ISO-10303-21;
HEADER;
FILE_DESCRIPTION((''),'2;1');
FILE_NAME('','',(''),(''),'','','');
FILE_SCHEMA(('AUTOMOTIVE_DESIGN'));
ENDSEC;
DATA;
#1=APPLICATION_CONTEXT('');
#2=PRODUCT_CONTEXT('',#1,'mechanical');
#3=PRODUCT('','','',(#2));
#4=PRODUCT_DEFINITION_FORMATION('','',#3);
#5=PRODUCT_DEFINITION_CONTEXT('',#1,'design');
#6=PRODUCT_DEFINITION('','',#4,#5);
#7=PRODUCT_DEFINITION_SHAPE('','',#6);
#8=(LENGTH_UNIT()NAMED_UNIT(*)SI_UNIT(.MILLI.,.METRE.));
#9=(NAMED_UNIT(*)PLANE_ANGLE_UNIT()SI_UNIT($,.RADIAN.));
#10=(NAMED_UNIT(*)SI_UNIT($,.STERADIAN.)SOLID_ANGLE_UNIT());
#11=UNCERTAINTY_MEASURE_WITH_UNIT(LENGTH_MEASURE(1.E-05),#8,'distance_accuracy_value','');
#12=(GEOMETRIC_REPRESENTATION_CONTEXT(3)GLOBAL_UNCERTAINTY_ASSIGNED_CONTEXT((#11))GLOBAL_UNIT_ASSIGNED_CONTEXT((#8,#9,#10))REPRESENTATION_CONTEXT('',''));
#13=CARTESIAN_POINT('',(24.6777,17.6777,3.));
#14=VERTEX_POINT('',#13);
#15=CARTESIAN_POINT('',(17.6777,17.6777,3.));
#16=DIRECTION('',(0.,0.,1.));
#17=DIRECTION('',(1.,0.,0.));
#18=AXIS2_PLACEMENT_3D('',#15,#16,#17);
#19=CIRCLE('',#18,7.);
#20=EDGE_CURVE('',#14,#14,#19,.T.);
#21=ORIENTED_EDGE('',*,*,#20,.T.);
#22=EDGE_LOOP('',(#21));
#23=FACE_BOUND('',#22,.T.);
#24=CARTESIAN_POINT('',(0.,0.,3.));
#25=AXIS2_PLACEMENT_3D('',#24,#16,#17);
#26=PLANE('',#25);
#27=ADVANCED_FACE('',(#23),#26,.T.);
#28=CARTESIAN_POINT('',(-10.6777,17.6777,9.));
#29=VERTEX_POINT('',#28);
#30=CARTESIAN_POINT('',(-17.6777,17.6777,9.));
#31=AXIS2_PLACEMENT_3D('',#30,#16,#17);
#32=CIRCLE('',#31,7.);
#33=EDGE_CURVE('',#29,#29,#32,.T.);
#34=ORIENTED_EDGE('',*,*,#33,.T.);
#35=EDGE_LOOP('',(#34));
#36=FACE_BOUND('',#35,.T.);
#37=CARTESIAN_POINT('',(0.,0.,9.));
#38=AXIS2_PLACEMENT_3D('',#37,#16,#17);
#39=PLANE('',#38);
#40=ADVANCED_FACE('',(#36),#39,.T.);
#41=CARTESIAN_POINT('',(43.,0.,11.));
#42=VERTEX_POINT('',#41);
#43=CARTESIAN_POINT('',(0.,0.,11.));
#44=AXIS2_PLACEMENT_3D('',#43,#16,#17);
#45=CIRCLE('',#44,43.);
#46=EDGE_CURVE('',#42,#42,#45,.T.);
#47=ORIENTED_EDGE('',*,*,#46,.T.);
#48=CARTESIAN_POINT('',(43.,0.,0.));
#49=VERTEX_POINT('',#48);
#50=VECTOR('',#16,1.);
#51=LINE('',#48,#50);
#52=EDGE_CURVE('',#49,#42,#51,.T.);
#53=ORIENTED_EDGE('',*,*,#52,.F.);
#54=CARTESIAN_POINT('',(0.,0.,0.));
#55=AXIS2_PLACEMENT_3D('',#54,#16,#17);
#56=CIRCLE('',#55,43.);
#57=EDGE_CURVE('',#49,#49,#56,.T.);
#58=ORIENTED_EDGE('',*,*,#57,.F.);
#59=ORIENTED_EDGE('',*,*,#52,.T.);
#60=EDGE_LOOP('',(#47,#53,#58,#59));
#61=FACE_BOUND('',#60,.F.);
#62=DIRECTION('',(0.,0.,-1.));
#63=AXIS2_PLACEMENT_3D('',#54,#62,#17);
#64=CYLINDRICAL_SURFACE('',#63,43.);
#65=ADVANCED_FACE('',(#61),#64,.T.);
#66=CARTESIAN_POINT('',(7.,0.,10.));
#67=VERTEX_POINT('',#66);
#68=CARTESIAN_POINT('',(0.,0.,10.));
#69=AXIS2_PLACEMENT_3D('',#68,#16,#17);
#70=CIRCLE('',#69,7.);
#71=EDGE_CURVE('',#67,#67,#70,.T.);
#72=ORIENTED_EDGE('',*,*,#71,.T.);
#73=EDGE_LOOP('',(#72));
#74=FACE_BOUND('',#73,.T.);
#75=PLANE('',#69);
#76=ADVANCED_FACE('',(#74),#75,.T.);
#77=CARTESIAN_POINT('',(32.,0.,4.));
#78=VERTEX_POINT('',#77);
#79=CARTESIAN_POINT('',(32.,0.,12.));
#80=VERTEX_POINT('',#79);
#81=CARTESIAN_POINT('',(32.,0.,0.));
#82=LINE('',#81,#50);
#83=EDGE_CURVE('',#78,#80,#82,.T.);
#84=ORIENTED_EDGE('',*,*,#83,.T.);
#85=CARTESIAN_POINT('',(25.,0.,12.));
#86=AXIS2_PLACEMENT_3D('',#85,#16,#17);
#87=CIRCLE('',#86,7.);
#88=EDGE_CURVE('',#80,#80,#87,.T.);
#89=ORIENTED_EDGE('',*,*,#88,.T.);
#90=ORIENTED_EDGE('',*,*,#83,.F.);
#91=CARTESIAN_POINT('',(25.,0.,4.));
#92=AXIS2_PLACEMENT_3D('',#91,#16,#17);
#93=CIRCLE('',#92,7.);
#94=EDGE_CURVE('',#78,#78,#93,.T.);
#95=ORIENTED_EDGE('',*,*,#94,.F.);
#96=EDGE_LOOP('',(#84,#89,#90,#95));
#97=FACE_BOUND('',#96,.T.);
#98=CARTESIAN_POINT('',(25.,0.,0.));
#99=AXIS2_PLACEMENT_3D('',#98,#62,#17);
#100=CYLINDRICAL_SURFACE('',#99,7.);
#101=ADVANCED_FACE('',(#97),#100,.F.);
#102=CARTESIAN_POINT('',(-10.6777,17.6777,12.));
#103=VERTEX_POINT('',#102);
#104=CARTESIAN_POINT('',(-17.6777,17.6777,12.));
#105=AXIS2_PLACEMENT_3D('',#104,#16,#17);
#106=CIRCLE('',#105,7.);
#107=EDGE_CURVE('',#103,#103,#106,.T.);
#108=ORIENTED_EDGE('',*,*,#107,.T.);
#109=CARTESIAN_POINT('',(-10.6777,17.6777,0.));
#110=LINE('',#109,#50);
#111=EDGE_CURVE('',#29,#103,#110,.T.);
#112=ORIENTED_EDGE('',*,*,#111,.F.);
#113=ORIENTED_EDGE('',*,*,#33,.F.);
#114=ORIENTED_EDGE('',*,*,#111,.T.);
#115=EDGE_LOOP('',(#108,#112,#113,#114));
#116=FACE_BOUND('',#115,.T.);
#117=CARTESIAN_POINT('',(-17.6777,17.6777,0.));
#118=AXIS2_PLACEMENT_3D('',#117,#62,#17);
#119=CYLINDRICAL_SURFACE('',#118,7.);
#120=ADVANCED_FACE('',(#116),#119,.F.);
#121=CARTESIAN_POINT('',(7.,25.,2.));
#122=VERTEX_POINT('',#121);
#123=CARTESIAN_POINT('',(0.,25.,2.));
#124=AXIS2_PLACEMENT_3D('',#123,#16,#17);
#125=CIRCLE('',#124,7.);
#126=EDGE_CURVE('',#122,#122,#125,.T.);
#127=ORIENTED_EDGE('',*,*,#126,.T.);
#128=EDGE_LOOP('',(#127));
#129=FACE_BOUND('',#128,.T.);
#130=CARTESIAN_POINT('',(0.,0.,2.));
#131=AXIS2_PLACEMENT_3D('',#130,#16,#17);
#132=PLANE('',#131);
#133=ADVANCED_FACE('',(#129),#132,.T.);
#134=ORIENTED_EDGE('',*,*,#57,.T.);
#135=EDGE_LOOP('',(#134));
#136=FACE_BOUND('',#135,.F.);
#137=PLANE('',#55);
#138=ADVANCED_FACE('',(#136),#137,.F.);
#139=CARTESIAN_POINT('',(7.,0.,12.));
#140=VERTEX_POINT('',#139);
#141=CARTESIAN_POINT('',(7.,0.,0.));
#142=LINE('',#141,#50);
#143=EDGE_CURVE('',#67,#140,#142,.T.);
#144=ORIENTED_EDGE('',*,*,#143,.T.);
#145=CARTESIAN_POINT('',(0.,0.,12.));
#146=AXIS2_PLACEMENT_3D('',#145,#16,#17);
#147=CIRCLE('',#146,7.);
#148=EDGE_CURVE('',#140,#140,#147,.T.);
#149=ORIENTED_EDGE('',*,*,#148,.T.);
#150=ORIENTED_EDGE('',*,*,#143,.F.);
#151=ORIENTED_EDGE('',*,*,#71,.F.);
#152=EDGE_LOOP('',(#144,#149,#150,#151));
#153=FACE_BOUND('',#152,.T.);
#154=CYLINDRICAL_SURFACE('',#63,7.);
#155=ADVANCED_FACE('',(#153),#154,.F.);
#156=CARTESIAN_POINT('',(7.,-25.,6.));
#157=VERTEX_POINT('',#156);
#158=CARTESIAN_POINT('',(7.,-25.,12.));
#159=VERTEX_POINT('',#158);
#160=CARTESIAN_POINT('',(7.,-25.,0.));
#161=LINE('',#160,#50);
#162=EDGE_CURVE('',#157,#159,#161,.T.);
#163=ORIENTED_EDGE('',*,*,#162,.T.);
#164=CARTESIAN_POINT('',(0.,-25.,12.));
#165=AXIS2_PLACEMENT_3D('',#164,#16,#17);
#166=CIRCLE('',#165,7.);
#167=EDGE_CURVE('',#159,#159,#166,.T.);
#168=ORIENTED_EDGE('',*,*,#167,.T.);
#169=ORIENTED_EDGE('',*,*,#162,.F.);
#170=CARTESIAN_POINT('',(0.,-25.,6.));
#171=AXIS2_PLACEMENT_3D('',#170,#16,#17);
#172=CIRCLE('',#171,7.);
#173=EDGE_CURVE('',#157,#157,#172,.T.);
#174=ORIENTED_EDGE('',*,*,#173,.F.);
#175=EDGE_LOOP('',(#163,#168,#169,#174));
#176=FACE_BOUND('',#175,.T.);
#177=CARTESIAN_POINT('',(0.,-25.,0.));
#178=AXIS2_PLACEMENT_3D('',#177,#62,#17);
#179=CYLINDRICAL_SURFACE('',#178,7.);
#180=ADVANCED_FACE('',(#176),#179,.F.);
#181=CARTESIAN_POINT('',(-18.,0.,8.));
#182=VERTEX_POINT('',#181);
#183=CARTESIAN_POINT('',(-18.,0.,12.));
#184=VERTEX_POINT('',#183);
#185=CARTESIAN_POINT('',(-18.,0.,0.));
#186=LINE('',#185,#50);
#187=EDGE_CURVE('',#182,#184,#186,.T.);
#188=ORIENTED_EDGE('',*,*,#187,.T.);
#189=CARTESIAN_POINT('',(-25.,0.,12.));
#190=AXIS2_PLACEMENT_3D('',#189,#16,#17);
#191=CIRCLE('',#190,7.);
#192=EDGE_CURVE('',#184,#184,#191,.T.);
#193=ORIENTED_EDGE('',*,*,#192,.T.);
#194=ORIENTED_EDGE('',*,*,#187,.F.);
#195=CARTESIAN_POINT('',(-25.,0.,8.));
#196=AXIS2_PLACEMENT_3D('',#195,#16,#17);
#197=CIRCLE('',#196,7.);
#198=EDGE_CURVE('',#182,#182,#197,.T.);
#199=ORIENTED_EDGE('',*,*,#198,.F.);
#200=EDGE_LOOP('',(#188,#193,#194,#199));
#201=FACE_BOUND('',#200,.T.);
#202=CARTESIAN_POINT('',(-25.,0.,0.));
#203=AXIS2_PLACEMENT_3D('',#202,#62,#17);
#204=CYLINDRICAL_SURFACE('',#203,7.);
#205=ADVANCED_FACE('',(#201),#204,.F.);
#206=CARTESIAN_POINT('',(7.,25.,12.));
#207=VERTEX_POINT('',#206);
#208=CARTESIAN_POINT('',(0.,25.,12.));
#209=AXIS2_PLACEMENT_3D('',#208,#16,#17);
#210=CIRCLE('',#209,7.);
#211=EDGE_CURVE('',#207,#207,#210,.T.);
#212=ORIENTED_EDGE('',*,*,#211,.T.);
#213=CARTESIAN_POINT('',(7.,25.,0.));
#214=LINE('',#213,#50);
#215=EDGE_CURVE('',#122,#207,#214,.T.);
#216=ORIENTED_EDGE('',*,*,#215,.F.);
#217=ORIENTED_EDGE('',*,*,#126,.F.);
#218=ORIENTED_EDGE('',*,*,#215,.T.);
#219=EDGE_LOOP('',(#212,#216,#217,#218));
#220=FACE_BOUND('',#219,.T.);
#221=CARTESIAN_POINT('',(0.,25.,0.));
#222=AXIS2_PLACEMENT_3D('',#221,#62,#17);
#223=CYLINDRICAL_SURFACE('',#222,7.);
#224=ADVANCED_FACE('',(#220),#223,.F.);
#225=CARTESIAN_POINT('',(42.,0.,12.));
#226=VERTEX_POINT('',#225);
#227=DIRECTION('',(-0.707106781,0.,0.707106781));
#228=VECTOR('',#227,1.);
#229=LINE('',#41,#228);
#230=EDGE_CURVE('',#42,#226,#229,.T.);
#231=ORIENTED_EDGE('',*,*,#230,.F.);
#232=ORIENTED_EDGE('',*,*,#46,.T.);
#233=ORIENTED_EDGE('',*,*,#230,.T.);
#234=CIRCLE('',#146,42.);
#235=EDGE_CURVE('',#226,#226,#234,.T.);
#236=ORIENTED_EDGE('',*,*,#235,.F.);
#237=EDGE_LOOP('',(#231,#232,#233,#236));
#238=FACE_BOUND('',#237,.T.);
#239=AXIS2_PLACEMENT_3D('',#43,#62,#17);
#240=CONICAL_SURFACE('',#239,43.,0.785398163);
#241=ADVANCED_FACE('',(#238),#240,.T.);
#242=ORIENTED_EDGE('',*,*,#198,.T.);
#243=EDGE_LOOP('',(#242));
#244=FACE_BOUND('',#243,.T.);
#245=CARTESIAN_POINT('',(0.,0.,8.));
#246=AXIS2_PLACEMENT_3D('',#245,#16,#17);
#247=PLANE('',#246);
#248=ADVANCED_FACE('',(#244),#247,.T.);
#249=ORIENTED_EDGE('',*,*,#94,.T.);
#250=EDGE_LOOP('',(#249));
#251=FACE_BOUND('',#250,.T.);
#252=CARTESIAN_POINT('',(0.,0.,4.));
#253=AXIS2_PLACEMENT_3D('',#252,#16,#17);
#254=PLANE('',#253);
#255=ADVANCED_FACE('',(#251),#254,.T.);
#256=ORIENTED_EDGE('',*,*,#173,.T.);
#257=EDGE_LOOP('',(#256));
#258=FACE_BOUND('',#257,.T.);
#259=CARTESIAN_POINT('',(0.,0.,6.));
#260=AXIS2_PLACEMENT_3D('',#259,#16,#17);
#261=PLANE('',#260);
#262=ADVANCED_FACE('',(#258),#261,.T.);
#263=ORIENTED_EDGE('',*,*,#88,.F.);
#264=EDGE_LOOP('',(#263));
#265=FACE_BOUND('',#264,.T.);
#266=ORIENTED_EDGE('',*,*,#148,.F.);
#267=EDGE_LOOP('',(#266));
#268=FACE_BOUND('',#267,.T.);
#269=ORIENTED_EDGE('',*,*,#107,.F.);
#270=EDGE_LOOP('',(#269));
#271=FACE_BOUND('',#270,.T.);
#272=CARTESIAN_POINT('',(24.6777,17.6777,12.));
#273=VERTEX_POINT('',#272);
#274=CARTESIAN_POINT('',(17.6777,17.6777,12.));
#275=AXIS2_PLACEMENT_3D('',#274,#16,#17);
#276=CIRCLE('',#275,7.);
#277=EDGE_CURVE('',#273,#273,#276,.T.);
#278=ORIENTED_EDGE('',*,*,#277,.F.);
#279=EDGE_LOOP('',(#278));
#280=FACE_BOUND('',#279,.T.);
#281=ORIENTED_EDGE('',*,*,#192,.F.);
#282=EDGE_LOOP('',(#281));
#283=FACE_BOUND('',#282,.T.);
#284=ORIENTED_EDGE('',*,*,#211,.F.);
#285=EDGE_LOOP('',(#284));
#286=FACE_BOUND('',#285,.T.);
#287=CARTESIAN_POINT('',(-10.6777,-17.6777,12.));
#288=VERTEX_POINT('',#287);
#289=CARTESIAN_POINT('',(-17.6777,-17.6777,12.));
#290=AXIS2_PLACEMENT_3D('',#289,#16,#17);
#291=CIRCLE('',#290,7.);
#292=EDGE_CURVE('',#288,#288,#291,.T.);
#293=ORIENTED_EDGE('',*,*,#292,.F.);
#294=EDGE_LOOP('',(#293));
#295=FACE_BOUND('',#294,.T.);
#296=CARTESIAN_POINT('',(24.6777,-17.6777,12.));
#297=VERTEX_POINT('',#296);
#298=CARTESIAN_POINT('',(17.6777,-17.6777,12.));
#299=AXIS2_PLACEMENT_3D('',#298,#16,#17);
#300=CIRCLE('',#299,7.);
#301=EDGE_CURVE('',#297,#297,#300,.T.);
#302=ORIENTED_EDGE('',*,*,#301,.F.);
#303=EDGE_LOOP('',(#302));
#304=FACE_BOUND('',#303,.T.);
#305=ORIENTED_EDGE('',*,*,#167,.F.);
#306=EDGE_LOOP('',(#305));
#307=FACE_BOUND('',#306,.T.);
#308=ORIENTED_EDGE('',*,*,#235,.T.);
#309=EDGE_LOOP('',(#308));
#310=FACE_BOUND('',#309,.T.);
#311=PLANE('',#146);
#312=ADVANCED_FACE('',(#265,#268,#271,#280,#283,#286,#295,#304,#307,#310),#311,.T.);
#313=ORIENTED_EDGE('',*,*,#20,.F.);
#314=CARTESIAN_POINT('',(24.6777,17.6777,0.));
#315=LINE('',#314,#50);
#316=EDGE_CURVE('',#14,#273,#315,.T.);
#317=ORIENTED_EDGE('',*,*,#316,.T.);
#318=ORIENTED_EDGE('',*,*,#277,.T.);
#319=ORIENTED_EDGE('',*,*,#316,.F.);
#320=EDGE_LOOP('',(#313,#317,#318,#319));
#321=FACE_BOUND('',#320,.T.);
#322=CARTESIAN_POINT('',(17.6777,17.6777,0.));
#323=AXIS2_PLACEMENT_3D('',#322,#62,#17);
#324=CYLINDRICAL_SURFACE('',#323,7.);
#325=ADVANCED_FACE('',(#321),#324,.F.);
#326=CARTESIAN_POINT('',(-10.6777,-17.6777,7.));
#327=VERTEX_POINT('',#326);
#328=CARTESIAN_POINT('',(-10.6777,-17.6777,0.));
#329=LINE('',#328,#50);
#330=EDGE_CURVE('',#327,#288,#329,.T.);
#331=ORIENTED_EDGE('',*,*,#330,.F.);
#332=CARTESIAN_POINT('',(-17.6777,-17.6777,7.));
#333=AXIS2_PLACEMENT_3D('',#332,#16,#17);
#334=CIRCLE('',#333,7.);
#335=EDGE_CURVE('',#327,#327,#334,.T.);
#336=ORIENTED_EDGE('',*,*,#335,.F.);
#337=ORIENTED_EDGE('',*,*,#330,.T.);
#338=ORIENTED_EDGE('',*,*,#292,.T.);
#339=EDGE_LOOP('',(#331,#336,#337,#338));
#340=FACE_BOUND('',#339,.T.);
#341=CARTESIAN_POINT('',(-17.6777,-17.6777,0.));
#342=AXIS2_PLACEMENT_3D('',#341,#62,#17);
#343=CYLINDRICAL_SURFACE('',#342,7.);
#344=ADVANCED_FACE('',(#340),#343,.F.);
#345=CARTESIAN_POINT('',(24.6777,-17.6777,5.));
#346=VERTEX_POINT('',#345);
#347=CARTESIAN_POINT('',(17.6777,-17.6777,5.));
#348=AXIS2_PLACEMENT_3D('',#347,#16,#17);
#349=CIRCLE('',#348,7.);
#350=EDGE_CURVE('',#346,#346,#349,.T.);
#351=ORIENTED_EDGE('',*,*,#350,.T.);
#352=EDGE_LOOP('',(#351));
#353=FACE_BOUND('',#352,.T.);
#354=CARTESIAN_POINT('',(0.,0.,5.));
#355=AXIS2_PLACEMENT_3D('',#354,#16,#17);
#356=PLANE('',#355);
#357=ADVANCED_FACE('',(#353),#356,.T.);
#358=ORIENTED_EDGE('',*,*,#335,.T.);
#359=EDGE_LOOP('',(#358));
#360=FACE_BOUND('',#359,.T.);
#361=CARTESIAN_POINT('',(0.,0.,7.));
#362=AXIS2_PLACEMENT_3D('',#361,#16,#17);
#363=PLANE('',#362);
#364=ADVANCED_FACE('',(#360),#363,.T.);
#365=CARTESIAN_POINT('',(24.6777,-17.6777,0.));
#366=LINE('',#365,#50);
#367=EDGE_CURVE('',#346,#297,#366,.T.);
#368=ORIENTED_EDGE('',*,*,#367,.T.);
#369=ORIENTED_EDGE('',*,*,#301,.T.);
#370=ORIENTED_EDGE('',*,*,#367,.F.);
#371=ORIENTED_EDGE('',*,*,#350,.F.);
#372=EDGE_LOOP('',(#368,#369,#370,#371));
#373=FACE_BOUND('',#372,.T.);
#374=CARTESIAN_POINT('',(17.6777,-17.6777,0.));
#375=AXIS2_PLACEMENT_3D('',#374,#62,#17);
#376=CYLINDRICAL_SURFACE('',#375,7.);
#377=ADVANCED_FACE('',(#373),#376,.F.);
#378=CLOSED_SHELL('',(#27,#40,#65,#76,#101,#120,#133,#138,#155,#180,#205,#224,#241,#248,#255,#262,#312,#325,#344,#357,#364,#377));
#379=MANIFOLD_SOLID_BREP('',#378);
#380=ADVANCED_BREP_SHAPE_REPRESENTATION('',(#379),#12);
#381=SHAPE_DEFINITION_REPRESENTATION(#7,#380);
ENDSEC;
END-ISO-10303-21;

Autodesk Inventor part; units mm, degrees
ref_plane "YZ Plane" through (0, 0, 0) normal (1, 0, 0) x (0, 1, 0)
ref_plane "XZ Plane" through (0, 0, 0) normal (0, 1, 0) x (-1, 0, 0)
ref_plane "XY Plane" through (0, 0, 0) normal (0, 0, 1) x (1, 0, 0)
sketch "Sketch1" plane through (0, 0, 0) normal (0, 0, 1) x (1, 0, 0)
  circle A0 centre (0, 0) radius 43
  circle A1 centre (0, 0) radius 7
  circle A2 centre (0, 25) radius 7
  circle A3 centre (-17.6777, 17.6777) radius 7
  circle A4 centre (-25, 0) radius 7
  circle A5 centre (-17.6777, -17.6777) radius 7
  circle A6 centre (0, -25) radius 7
  circle A7 centre (17.6777, -17.6777) radius 7
  circle A8 centre (25, 0) radius 7
  circle A9 centre (17.6777, 17.6777) radius 7
  dimension "diameter" = 14
  dimension "d2" = 14
  dimension "d5" = 360
  dimension "d7" = 25
  dimension "d28" = 86
extrude "Extrusion1" add sketch "Sketch1" along normal blind 12
extrude "Extrusion2" add sketch "Sketch1" along normal blind 2 contours A2
extrude "Extrusion3" add sketch "Sketch1" along normal blind 3 contours A9
extrude "Extrusion4" add sketch "Sketch1" along normal blind 4 contours A8
extrude "Extrusion5" add sketch "Sketch1" along normal blind 5 contours A7
extrude "Extrusion6" add sketch "Sketch1" along normal blind 6 contours A6
extrude "Extrusion7" add sketch "Sketch1" along normal blind 7 contours A5
extrude "Extrusion8" add sketch "Sketch1" along normal blind 8 contours A4
extrude "Extrusion9" add sketch "Sketch1" along normal blind 9 contours A3
extrude "Extrusion10" add sketch "Sketch1" along normal blind 10 contours A1
sketch "Sketch2" plane through (0, 0, 12) normal (0, 0, 1) x (1, 0, 0)
  line L0 (-5.8774, 39.105) -> (5.7366, 39.105) construction
  line L1 (5.7366, 39.105) -> (5.7366, 35.936) construction
  line L2 (5.7366, 35.936) -> (-5.8774, 35.936) construction
  line L3 (-5.8774, 35.936) -> (-5.8774, 39.105) construction
  point P0 (0, 0)
emboss "Emboss1" [suppressed]
chamfer "Chamfer1" distance 1 angle 45 1 edges at (-43, 0, 12)
equation "\"d2\" = diameter"
properties part number "Diameter_14mm"
